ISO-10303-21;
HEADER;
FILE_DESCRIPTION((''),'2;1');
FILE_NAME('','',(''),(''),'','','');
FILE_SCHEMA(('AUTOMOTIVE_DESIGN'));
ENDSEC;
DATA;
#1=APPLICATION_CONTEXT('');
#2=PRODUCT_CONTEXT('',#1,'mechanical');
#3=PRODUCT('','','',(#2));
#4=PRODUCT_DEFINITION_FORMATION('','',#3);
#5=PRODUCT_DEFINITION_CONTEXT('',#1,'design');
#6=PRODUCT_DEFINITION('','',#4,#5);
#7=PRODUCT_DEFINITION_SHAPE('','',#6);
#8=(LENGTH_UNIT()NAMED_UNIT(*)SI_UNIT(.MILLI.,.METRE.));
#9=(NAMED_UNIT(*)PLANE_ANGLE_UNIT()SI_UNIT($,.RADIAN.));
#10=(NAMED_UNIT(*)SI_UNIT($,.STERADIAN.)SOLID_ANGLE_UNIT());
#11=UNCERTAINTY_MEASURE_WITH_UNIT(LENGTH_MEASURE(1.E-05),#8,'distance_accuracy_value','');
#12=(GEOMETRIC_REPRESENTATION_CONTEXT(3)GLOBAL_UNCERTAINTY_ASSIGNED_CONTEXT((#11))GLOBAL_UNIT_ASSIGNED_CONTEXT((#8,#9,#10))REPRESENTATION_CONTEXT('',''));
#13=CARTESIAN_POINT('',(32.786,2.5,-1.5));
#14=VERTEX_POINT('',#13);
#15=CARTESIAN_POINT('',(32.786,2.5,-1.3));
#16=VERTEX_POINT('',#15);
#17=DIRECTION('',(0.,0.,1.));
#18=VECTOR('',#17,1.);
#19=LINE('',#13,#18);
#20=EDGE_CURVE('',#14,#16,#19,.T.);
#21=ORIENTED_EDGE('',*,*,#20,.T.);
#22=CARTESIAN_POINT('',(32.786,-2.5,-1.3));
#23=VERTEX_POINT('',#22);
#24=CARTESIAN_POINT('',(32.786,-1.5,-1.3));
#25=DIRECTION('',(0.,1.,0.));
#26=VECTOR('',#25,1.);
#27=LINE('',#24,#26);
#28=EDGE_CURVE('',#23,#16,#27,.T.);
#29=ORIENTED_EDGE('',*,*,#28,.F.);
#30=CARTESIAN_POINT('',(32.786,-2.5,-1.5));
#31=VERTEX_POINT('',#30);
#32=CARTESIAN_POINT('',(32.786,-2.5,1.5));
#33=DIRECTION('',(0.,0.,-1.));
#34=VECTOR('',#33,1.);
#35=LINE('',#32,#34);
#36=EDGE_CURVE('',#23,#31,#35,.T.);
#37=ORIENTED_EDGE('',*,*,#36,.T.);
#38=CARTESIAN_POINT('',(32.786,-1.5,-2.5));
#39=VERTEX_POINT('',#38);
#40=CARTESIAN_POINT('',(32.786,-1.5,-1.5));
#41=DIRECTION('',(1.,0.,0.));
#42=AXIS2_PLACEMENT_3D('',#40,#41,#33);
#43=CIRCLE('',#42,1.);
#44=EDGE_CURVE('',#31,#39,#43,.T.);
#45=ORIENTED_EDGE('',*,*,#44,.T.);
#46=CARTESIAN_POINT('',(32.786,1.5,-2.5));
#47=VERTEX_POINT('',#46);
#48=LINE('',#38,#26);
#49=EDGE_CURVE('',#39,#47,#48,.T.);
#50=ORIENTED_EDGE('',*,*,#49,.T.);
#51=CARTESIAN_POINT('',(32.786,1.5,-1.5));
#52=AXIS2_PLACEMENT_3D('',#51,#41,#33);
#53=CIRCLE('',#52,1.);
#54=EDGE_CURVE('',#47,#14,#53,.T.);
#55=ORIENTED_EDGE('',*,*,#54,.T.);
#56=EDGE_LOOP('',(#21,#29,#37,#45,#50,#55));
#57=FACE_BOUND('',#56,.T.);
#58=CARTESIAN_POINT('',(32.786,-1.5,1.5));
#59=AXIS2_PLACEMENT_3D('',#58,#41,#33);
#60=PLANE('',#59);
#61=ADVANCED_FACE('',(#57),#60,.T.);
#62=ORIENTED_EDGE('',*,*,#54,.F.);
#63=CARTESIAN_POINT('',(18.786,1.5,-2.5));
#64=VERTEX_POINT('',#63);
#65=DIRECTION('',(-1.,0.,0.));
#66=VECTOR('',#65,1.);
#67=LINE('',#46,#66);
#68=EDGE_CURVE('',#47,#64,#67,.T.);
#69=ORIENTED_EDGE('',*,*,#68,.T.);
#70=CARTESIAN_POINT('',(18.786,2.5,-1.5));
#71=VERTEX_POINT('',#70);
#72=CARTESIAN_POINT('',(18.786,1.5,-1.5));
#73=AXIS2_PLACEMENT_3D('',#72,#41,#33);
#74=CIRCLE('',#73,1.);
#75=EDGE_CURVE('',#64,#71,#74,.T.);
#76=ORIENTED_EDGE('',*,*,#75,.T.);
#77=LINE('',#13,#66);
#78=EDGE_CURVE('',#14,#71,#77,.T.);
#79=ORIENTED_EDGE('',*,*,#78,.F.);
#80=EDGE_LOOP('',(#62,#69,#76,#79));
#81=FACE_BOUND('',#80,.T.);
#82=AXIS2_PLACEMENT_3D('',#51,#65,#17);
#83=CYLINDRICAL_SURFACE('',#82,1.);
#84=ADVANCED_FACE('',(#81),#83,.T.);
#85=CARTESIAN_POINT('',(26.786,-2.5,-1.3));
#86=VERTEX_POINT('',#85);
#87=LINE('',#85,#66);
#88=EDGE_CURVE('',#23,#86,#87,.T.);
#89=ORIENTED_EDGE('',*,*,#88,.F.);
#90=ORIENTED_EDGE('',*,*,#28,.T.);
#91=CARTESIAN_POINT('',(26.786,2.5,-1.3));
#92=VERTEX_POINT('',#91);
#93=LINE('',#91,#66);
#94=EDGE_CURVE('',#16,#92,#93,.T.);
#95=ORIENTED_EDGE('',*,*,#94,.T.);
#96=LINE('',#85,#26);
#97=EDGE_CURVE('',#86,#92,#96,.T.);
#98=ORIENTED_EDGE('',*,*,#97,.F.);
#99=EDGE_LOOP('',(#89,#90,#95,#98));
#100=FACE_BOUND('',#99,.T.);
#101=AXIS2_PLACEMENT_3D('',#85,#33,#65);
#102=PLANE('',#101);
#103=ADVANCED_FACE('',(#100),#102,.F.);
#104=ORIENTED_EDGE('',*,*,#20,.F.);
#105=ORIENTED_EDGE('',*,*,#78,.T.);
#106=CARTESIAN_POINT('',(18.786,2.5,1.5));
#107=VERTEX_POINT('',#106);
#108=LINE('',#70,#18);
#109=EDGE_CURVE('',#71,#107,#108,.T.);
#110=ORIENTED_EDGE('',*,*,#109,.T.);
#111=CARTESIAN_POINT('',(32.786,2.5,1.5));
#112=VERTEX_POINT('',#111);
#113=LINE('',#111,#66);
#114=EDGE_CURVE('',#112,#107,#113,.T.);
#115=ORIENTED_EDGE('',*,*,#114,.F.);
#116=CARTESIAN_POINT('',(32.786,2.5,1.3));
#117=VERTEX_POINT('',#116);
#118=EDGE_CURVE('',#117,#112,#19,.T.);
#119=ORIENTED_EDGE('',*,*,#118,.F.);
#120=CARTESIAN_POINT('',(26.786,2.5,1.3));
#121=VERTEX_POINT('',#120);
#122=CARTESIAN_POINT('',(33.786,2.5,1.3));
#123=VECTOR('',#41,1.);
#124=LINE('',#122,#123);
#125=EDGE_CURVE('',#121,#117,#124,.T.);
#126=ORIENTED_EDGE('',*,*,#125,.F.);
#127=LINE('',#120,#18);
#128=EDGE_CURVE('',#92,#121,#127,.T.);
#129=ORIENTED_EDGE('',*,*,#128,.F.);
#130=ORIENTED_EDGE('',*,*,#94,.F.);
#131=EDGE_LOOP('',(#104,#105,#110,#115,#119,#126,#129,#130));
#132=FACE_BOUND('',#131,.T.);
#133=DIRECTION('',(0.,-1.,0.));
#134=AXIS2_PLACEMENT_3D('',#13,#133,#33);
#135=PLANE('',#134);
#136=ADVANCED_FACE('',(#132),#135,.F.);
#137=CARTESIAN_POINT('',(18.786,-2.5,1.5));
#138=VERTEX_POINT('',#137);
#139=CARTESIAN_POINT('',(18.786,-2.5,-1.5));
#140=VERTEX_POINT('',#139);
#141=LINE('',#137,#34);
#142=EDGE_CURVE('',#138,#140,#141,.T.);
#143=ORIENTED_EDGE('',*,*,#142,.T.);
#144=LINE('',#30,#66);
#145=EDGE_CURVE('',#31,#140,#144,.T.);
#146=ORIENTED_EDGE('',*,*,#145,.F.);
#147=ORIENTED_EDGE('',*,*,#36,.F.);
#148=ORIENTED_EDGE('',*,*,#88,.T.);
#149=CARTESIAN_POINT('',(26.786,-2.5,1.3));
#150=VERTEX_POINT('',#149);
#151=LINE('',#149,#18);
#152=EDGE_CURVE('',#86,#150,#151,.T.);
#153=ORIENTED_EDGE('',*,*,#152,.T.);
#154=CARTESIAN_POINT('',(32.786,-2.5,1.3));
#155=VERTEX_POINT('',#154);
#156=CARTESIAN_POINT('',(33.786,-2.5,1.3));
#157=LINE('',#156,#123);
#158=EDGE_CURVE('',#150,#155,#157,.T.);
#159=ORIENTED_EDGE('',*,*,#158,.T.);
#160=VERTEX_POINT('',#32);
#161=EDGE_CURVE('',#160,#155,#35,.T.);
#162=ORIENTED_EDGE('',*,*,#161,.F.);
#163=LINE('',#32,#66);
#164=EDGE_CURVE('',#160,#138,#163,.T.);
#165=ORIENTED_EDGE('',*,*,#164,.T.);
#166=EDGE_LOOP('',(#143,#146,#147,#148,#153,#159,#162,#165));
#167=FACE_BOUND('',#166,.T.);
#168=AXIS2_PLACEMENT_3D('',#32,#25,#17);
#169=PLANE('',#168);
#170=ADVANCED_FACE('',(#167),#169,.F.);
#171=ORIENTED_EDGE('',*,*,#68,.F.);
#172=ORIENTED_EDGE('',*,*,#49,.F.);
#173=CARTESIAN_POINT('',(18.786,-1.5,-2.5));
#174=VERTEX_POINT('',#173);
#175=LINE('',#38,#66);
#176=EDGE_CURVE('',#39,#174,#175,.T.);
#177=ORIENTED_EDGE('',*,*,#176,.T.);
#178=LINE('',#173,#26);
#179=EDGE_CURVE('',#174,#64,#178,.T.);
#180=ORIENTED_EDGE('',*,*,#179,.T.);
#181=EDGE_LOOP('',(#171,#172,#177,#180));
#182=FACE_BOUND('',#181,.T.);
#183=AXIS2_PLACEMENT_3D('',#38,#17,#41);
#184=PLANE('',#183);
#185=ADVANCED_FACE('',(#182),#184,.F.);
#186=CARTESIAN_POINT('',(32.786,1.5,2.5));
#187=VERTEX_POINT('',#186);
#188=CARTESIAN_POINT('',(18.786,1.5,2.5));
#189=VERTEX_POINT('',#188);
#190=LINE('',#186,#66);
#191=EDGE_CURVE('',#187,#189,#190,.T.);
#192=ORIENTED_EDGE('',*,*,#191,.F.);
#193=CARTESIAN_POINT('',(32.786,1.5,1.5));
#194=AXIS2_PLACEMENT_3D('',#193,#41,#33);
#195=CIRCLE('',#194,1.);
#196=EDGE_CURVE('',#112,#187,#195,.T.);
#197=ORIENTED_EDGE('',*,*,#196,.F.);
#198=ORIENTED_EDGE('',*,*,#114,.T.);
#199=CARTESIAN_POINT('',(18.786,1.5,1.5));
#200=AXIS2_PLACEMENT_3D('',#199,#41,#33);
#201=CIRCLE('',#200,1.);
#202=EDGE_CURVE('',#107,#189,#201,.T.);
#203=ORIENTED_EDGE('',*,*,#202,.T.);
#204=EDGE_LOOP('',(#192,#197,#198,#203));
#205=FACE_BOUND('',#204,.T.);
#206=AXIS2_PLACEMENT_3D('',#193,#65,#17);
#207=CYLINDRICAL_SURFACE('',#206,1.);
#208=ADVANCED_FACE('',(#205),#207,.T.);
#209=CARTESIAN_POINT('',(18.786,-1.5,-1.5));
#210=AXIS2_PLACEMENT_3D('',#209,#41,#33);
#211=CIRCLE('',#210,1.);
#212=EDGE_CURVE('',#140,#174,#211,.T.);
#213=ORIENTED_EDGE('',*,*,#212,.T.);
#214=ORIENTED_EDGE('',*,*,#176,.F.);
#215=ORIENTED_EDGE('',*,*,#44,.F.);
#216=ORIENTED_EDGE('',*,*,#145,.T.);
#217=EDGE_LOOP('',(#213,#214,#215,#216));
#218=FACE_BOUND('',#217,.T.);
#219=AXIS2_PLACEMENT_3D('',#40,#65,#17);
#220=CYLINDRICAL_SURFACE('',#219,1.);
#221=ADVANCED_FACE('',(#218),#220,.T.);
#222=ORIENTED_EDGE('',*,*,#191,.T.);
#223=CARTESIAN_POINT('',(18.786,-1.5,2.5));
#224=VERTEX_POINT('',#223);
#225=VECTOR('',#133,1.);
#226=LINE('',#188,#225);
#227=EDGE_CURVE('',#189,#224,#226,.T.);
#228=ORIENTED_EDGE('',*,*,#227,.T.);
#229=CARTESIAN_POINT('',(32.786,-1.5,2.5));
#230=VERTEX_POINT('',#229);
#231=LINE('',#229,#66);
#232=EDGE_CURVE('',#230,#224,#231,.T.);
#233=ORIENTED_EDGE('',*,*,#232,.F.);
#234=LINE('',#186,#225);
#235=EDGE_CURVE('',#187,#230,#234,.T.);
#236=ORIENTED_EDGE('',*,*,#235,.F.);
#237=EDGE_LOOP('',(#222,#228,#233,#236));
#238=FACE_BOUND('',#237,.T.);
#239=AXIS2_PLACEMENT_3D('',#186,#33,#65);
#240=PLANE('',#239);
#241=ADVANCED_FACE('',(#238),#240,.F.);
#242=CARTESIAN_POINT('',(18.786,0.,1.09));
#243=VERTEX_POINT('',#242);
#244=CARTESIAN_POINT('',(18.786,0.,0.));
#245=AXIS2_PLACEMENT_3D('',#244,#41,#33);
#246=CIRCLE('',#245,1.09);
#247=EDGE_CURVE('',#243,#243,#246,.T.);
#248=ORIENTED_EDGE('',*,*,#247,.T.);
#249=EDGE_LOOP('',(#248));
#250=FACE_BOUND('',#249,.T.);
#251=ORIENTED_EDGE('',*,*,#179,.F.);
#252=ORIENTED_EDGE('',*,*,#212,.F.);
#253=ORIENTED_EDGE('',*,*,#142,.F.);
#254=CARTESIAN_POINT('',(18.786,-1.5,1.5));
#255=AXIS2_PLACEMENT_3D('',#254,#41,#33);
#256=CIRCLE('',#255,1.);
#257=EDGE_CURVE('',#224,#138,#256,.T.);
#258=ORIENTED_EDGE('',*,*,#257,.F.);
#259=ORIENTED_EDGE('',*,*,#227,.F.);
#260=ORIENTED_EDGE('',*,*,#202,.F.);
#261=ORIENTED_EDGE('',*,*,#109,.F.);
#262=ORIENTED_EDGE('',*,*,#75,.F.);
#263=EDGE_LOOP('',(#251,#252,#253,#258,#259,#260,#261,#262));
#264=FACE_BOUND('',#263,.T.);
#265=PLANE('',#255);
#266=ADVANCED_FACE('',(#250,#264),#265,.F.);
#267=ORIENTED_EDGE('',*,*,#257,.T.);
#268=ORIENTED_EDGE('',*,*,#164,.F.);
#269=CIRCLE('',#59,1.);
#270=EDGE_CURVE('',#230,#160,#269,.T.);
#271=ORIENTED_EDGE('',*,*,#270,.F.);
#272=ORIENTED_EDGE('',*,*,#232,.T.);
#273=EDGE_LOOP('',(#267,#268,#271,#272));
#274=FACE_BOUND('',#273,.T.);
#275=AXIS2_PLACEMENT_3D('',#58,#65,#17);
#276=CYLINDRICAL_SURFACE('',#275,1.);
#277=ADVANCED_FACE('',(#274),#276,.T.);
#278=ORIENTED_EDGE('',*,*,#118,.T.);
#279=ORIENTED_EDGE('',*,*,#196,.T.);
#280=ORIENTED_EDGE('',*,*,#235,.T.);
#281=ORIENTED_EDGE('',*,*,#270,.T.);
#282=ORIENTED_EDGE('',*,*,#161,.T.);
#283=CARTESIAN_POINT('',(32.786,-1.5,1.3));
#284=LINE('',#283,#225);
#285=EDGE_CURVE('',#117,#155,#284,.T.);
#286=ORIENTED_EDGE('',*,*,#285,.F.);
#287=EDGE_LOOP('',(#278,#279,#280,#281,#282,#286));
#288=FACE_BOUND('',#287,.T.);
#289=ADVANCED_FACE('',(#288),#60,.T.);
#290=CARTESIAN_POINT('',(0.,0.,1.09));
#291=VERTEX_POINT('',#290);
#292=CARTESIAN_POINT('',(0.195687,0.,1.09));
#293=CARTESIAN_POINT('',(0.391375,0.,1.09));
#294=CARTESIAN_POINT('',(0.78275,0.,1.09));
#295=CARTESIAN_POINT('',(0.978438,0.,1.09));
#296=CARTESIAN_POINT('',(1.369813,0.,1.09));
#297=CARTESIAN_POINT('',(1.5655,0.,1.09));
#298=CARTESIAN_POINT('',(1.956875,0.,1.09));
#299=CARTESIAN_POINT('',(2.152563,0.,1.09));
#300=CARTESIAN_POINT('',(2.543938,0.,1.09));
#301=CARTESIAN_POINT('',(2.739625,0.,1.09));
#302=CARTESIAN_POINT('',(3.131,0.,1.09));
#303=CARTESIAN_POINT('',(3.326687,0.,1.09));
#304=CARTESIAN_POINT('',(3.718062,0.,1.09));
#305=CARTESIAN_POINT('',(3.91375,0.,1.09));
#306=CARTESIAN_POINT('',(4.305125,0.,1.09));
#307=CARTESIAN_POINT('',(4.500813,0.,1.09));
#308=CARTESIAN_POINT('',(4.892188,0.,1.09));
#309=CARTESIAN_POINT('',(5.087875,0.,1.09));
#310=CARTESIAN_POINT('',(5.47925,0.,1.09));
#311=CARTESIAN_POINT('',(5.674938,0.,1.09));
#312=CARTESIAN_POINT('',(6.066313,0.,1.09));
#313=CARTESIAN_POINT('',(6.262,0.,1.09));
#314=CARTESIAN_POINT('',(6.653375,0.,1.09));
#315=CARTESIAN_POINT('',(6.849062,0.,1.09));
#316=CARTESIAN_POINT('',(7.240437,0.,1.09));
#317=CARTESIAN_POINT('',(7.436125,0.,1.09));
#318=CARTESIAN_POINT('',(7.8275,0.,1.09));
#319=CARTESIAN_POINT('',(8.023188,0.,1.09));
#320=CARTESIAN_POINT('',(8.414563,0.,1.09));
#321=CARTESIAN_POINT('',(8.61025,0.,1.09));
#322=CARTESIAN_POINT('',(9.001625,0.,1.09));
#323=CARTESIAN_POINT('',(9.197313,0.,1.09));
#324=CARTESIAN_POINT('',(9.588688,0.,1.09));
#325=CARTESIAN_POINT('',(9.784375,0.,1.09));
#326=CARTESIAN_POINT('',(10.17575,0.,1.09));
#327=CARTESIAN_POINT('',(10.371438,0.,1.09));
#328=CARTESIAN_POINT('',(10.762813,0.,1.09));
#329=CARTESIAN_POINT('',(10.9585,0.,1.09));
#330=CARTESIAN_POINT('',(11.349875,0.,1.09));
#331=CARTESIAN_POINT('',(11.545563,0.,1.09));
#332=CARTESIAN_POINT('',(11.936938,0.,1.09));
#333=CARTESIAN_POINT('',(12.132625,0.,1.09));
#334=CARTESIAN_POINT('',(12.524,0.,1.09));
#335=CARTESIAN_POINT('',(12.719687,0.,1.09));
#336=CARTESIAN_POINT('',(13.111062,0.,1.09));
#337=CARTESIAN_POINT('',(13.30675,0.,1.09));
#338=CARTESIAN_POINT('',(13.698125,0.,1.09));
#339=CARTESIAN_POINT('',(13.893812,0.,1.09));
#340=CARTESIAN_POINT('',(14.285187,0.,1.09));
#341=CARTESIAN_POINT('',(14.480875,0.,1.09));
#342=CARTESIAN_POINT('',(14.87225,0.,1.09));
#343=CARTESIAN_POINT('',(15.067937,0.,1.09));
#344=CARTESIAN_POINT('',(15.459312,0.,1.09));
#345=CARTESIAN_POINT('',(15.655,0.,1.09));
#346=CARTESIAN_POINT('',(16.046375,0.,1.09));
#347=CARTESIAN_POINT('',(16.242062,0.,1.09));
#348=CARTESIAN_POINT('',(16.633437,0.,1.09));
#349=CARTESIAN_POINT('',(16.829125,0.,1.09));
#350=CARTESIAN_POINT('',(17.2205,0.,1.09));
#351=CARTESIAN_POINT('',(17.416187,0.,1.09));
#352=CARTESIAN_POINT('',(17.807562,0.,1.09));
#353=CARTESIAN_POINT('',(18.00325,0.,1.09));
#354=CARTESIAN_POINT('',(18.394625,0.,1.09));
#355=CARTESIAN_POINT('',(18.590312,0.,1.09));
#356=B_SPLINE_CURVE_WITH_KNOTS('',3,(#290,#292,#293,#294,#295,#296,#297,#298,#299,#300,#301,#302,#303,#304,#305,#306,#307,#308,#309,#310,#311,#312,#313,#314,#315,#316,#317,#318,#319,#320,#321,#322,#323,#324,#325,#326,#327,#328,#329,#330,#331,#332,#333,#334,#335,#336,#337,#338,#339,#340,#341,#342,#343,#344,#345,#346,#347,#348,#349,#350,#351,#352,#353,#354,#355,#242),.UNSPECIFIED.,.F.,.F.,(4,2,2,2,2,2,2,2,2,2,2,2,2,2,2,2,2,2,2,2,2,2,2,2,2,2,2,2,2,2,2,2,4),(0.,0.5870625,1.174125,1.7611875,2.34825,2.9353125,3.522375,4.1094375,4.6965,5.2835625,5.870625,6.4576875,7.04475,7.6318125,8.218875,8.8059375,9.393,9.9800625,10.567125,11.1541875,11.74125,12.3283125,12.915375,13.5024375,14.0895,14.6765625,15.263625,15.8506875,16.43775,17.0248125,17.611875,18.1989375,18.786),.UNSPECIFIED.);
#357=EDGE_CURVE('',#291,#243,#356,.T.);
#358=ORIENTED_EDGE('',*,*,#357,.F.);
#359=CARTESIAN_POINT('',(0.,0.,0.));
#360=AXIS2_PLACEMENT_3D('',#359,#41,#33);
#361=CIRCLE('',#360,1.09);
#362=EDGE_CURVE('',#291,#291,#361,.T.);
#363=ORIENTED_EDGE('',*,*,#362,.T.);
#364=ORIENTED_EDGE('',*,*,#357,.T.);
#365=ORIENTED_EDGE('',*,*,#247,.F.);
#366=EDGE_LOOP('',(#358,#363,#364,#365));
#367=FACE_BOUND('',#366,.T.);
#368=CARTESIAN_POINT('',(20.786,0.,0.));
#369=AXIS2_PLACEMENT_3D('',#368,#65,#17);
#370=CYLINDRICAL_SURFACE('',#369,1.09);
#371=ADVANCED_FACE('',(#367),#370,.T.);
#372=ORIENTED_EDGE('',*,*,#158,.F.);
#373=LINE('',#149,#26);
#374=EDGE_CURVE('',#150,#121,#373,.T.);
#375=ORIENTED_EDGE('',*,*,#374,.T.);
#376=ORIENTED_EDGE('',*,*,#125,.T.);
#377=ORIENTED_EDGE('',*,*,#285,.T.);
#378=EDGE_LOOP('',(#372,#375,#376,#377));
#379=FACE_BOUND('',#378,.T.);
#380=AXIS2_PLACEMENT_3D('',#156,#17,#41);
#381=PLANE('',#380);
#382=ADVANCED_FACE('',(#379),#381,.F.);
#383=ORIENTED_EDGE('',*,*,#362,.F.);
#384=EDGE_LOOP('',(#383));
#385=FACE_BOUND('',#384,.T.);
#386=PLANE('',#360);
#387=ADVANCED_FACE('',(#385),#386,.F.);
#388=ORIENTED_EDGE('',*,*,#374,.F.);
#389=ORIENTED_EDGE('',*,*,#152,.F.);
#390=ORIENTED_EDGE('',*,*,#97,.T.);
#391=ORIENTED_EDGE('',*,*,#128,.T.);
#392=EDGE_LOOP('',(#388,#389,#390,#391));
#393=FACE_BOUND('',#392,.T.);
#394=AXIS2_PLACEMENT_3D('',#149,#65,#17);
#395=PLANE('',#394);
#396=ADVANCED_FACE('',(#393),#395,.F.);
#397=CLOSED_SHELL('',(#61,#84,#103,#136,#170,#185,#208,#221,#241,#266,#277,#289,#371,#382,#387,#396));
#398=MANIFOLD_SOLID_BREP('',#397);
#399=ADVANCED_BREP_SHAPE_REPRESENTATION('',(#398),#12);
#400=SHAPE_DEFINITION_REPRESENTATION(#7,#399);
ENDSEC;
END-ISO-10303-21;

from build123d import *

# Parameters (mm, degrees)
SKETCH1_R               = 1.09
BOSS_EXTRUDE1_DEPTH     = 20.786
BOSS_EXTRUDE2_DEPTH     = 14
CUT_EXTRUDE1_DEPTH      = 33.976079148
CUT_EXTRUDE1_DEPTH_BACK = 33.976079148
SKETCH3_W               = 7
SKETCH3_H               = 2.6


with BuildPart() as part:
    # Sketch1 → Boss-Extrude1 (new body)
    with BuildSketch(Plane(origin=(0, 0, 0), x_dir=(0, 0, -1), z_dir=(1, 0, 0))):
        with Locations(Location((0, 0, 0), (0, 0, 180))):
            Circle(SKETCH1_R)
    extrude(amount=BOSS_EXTRUDE1_DEPTH)

    # Sketch2 → Boss-Extrude2 (add)
    with BuildSketch(Plane(origin=(18.786, 0, 0), x_dir=(0, 0, -1), z_dir=(1, 0, 0))):
        with BuildLine():
            Line((-1.5, -2.5), (1.5, -2.5))
            ThreePointArc((1.5, -2.5), (2.207106781, -2.207106781), (2.5, -1.5))
            Line((2.5, -1.5), (2.5, 1.5))
            ThreePointArc((2.5, 1.5), (2.207106781, 2.207106781), (1.5, 2.5))
            Line((1.5, 2.5), (-1.5, 2.5))
            ThreePointArc((-1.5, 2.5), (-2.207106781, 2.207106781), (-2.5, 1.5))
            Line((-2.5, 1.5), (-2.5, -1.5))
            ThreePointArc((-2.5, -1.5), (-2.207106781, -2.207106781), (-1.5, -2.5))
        make_face()
    extrude(amount=BOSS_EXTRUDE2_DEPTH)

    # Sketch3 → Cut-Extrude1 (cut, two sides: drawn at the far end of the back side and taken through both)
    with BuildSketch(Plane(origin=(0, 0, 0), x_dir=(1, 0, 0), z_dir=(0, 1, 0)).offset(-CUT_EXTRUDE1_DEPTH_BACK)):
        with Locations((30.286, 0)):
            Rectangle(SKETCH3_W, SKETCH3_H)
    extrude(amount=CUT_EXTRUDE1_DEPTH + CUT_EXTRUDE1_DEPTH_BACK, mode=Mode.SUBTRACT)


solid = part.part
